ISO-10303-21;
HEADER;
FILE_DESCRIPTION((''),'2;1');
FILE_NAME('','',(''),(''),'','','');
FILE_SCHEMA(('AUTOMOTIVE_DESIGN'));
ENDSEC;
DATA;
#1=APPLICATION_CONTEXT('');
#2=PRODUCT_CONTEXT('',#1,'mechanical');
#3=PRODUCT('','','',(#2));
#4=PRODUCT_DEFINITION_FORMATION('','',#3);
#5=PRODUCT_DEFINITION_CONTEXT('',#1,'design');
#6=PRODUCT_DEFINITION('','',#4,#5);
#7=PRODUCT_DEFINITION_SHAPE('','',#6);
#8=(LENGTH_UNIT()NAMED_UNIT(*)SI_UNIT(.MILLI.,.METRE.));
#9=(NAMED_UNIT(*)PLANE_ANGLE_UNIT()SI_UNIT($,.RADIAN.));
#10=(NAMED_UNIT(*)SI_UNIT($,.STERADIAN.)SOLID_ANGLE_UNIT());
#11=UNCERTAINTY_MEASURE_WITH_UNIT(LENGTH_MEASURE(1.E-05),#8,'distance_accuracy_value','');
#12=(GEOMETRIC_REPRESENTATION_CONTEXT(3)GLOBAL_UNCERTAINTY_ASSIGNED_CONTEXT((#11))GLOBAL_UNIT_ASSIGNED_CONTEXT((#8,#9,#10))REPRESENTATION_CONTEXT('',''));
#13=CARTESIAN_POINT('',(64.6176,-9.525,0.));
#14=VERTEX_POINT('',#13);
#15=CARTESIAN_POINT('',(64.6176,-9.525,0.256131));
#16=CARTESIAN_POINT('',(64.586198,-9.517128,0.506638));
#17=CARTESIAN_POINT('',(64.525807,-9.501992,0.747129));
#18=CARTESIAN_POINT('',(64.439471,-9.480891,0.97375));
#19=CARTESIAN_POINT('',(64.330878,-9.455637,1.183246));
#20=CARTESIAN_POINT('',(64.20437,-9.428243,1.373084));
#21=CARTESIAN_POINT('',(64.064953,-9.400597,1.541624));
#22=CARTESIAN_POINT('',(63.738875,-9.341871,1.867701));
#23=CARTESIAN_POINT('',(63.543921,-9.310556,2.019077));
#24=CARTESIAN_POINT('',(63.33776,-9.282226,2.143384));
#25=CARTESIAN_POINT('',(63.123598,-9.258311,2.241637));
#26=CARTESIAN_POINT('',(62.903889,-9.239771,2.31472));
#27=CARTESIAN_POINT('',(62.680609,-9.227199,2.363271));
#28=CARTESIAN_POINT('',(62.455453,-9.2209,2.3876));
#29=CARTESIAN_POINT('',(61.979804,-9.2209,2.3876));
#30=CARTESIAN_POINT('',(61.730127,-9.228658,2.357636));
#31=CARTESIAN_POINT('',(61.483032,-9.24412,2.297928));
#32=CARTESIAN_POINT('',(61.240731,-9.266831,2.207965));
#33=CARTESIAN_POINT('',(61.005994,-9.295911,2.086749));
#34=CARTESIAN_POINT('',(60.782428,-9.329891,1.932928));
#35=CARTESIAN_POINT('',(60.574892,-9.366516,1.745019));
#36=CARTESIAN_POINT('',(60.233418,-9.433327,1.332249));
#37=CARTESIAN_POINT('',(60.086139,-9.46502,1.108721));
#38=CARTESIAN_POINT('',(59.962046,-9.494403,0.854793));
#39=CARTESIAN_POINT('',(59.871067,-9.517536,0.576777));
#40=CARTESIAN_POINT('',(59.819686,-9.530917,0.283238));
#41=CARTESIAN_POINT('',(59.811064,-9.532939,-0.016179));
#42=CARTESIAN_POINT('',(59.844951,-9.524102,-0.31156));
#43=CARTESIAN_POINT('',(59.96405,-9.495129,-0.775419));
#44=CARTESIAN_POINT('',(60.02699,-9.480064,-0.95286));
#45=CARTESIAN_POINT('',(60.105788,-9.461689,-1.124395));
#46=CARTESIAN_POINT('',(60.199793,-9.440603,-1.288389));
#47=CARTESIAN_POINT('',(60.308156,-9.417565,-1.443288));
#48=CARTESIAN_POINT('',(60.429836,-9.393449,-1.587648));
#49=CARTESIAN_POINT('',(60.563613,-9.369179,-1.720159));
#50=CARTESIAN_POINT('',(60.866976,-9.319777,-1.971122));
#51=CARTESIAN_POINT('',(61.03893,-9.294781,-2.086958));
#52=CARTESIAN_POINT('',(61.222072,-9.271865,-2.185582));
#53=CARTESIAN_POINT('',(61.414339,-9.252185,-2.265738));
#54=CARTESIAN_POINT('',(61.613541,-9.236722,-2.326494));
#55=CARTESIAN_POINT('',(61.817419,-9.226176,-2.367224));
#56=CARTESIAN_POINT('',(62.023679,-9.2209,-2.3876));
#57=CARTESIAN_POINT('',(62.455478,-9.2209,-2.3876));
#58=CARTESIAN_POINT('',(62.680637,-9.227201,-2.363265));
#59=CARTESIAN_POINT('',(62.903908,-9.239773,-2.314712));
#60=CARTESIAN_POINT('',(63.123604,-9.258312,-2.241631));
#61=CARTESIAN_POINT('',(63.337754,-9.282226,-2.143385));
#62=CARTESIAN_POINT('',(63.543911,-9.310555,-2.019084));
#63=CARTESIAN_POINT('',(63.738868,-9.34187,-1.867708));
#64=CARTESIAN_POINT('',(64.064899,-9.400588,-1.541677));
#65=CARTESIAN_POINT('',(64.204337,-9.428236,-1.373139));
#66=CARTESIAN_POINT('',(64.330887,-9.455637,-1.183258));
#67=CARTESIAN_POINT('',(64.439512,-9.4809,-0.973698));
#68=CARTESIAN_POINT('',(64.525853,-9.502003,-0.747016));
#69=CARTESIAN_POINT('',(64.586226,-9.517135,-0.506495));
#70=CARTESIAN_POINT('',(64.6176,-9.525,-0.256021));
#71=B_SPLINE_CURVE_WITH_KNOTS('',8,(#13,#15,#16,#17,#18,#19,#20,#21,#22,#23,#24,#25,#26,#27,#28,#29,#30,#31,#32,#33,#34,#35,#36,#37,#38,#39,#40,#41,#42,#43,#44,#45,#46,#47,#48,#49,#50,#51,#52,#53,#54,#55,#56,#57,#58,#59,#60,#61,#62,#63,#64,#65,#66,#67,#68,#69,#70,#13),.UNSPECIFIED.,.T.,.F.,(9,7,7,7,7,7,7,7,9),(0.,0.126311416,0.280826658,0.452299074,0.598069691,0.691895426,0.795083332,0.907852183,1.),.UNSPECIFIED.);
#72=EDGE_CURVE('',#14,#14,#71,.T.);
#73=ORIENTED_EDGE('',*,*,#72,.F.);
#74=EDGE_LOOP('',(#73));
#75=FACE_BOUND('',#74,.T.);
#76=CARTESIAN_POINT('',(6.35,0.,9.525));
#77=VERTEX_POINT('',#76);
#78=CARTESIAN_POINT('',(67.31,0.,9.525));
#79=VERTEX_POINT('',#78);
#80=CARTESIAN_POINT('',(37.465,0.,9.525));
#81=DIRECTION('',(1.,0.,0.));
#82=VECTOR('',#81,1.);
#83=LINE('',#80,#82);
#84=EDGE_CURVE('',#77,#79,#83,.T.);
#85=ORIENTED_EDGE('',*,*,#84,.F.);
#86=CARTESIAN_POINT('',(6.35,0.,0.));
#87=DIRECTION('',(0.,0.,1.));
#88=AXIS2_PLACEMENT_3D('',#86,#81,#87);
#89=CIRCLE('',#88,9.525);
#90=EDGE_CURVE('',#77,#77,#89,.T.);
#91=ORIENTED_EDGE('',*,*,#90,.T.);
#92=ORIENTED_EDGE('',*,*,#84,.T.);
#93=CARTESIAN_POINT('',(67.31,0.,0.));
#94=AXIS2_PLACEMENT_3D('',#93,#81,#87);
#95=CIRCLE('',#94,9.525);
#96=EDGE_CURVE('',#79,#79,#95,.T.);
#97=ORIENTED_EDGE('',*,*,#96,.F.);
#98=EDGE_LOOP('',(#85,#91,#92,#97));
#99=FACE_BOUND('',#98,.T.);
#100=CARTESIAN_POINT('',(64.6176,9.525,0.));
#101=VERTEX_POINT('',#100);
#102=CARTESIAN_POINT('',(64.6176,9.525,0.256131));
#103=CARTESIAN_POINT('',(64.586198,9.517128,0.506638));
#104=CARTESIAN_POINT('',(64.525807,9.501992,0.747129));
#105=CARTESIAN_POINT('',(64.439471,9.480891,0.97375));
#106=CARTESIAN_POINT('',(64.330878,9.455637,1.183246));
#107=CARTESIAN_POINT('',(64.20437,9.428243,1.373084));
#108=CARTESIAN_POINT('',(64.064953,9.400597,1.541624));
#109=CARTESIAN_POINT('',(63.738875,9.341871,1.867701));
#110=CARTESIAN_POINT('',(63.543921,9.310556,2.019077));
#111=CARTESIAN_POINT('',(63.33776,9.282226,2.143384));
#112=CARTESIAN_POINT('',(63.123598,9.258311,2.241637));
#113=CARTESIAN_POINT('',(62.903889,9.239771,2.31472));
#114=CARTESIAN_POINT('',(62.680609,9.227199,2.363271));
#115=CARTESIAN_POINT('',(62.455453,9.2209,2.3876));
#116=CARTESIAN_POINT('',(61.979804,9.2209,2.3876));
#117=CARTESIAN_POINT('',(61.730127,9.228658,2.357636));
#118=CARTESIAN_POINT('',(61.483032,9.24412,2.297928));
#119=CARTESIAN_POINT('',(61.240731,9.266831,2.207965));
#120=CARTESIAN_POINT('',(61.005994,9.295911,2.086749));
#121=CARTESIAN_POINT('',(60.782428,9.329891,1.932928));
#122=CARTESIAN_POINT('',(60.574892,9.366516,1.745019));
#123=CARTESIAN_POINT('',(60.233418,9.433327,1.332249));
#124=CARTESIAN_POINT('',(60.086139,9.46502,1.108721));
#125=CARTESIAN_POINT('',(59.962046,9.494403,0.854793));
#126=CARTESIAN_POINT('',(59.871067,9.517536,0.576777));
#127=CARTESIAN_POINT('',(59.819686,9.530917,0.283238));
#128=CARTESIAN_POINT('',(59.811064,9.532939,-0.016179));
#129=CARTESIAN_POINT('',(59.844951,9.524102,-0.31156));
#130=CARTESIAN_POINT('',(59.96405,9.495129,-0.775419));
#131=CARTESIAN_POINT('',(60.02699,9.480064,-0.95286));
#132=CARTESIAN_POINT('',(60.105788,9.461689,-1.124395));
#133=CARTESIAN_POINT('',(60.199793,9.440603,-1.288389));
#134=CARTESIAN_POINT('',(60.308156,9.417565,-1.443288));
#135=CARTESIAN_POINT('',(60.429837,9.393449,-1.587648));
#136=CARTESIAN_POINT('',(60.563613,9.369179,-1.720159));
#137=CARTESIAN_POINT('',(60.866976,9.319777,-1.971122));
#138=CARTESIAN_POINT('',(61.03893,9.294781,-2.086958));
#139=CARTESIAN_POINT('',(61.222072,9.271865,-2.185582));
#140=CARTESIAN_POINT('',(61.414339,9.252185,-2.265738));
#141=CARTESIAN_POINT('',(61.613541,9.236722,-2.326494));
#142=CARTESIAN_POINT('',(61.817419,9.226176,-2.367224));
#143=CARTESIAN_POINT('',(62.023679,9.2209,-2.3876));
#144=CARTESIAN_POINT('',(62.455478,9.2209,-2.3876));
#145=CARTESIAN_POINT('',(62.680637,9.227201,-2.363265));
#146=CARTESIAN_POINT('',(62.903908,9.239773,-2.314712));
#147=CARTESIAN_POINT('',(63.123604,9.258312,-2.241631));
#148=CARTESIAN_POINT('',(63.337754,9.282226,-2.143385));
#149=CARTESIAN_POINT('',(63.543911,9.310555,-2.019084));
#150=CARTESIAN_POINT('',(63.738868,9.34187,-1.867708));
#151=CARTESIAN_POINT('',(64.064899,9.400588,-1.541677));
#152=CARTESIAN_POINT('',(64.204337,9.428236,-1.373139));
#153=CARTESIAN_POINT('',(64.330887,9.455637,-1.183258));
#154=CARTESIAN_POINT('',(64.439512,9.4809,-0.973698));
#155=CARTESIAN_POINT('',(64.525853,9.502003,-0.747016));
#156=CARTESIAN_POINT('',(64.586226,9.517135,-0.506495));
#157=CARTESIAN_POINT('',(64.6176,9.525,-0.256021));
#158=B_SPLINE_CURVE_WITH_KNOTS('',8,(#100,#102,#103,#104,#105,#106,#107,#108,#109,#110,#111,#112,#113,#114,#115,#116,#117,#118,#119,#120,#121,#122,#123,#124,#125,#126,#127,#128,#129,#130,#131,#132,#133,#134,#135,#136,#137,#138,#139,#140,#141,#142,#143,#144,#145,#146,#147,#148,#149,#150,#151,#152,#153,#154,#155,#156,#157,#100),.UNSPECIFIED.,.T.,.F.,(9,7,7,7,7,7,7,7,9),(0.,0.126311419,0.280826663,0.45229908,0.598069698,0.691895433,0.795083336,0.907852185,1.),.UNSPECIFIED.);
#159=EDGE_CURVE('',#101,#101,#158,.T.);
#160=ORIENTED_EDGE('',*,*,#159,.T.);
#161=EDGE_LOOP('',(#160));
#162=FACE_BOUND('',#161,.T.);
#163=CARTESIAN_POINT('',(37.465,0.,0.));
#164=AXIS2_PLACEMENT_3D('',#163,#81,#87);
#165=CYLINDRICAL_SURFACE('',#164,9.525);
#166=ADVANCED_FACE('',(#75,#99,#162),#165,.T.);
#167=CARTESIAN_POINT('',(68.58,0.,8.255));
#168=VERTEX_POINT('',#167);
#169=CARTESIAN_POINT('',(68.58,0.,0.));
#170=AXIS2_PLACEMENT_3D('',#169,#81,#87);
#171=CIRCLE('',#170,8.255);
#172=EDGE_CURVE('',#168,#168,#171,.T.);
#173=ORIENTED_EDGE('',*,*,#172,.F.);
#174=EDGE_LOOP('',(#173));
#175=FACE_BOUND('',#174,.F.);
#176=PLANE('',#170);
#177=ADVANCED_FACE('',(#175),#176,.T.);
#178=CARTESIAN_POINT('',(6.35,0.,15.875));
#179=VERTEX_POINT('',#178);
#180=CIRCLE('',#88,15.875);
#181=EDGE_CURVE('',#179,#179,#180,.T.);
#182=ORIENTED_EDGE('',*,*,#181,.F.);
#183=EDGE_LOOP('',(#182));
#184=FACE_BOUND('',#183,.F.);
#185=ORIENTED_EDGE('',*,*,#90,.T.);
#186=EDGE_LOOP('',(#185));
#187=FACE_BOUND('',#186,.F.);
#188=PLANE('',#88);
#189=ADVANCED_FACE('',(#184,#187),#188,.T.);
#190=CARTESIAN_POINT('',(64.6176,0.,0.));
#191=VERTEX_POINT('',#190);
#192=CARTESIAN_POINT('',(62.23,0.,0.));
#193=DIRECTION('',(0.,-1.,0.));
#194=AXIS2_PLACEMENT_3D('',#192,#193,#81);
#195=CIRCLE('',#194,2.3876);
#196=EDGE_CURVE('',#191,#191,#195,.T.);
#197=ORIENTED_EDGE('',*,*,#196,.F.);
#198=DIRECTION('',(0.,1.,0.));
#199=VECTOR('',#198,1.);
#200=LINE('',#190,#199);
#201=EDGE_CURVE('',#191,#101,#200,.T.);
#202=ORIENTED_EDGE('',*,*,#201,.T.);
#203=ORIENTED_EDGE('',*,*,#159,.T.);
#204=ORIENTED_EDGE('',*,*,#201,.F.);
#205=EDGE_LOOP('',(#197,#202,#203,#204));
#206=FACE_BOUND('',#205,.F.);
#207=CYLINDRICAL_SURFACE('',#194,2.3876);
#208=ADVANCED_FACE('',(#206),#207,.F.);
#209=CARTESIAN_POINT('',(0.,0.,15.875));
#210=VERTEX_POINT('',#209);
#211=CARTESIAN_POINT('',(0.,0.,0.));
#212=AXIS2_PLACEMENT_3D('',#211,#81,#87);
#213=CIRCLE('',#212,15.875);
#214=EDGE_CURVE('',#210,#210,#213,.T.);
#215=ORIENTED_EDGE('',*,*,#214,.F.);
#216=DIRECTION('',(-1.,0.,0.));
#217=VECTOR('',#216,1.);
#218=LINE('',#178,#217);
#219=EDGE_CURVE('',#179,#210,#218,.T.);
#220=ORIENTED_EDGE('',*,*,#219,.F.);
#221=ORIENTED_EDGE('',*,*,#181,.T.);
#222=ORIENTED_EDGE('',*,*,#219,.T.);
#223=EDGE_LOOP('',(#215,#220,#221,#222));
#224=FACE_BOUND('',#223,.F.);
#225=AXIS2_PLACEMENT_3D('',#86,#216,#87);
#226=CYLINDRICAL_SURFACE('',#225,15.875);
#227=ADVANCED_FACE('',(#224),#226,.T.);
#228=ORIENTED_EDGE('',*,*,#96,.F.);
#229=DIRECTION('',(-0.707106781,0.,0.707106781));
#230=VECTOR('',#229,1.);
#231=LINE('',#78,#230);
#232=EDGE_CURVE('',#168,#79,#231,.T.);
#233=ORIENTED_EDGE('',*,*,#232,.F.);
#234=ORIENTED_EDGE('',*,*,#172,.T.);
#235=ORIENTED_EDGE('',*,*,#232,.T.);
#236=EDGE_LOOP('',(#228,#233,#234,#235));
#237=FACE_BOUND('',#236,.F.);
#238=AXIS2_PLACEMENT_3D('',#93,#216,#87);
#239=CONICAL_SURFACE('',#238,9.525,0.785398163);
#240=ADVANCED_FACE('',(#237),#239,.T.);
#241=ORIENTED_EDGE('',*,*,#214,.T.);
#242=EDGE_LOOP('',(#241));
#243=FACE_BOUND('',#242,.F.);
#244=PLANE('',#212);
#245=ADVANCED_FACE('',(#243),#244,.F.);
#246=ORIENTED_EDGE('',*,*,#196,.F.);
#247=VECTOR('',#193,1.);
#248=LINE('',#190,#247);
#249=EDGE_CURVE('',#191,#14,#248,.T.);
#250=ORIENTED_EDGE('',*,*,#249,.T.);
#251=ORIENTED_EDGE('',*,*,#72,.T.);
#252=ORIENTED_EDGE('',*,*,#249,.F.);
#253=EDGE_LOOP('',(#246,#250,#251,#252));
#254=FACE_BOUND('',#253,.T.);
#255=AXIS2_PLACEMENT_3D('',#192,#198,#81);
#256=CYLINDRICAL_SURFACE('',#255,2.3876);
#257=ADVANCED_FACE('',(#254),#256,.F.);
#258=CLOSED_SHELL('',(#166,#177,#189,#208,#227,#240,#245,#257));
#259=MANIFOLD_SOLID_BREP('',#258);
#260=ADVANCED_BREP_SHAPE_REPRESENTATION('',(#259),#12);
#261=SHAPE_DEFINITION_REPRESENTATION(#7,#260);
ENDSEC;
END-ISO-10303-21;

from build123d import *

# Parameters (mm, degrees)
F0_W          = 62.23
F0_H          = 9.525
F2_SIZE2      = 1.27
F2_SIZE       = 1.27
F3_R          = 2.3876
F4_DEPTH      = 15.876
F4_DEPTH_BACK = 15.876


with BuildPart() as f1:
    # F0 (on Front) → F1 (revolve)
    with BuildSketch(Plane.XZ):
        Polygon((0, 15.875), (0, 0), (6.35, 0), (6.35, 9.525), (6.35, 15.875), align=None)
        with Locations((37.465, 4.7625)):
            Rectangle(F0_W, F0_H)
    revolve(axis=Axis((37.465, 0, 0), (1, 0, 0)))

    # F2
    f2_edges = [f1.edges().sort_by_distance(p)[0] for p in [
        (68.58, 0, -9.525),
    ]]
    chamfer(f2_edges, length=F2_SIZE, length2=F2_SIZE2)

    # F3 (on Front) → F4 (cut, two sides)
    with BuildSketch(Plane.XZ) as f4_sk:
        with Locations((62.23, 0)):
            Circle(F3_R)
    extrude(amount=-F4_DEPTH, mode=Mode.SUBTRACT)
    extrude(f4_sk.sketch, amount=F4_DEPTH_BACK, mode=Mode.SUBTRACT)


solid = f1.part
